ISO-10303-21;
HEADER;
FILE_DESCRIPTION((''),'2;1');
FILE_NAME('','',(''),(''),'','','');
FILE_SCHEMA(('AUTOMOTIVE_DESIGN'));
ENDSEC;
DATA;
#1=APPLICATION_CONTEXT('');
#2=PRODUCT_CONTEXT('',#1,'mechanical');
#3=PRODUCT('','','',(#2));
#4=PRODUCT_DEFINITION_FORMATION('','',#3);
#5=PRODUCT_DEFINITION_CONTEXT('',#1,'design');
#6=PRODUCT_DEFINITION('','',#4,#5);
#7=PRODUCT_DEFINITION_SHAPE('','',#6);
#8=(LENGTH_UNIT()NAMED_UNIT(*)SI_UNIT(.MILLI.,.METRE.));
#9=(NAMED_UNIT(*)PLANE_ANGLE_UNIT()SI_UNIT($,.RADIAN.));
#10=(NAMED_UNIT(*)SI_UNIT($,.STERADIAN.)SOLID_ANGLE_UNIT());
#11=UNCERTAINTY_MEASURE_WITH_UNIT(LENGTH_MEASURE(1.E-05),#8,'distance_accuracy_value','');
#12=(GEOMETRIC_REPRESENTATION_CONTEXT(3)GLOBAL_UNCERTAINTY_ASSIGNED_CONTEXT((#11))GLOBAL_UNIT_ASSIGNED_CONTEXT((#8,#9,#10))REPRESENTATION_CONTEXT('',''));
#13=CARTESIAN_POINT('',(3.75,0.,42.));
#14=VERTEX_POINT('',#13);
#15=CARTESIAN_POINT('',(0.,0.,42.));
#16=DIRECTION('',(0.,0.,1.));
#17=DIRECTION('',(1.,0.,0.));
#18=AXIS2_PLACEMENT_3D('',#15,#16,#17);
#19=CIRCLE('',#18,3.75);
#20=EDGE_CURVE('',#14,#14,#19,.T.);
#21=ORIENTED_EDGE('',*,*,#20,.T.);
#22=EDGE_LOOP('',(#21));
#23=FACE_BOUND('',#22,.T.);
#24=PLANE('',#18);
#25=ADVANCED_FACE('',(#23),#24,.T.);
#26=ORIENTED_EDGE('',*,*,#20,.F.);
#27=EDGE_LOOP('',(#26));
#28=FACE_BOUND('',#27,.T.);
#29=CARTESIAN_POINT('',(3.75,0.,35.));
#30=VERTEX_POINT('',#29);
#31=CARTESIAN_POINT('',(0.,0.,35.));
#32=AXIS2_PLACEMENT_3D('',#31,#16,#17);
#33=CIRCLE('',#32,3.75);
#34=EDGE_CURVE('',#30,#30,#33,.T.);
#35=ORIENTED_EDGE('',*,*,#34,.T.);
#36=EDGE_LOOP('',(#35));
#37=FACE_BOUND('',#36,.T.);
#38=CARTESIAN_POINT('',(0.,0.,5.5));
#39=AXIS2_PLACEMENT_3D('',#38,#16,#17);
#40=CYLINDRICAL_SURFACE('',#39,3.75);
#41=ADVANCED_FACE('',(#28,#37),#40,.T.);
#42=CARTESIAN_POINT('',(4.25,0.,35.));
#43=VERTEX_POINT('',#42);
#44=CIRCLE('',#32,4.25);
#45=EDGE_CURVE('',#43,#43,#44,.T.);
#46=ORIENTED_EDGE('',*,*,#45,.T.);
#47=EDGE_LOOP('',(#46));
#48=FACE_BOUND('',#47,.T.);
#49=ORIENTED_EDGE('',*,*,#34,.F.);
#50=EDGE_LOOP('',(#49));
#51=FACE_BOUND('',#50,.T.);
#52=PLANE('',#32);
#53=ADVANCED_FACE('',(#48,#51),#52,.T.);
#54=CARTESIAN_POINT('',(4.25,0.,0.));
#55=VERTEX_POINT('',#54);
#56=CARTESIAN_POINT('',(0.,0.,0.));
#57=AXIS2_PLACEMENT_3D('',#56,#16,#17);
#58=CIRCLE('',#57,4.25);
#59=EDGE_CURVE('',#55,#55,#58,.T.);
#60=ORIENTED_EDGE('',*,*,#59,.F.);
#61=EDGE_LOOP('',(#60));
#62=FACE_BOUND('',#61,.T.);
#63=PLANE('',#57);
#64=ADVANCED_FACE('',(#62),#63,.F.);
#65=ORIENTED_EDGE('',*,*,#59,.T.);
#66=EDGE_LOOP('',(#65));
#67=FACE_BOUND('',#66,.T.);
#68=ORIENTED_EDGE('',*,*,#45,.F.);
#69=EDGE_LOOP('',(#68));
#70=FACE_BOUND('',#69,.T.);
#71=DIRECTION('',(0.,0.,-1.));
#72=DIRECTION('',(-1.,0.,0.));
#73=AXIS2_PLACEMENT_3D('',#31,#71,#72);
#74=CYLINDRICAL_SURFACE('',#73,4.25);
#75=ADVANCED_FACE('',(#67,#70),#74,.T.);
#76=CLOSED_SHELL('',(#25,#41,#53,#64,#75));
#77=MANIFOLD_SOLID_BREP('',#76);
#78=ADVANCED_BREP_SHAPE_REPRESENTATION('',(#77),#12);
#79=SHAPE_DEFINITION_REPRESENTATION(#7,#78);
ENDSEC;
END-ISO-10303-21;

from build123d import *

# Parameters (mm, degrees)
SKETCH2_R                = 4.25
BOSS_EXTRUDE1_DEPTH      = 35
BOSS_EXTRUDE2_DEPTH      = 7
BOSS_EXTRUDE2_DEPTH_BACK = 29.5
SKETCH3_R                = 3.75


with BuildPart() as part:
    # Sketch2 → Boss-Extrude1 (new body)
    with BuildSketch(Plane.XY):
        Circle(SKETCH2_R)
    extrude(amount=BOSS_EXTRUDE1_DEPTH)

    # Sketch3 → Boss-Extrude2 (add, two sides: drawn at the far end of the back side and taken through both)
    with BuildSketch(Plane.XY.offset(35).offset(-BOSS_EXTRUDE2_DEPTH_BACK)):
        Circle(SKETCH3_R)
    extrude(amount=BOSS_EXTRUDE2_DEPTH + BOSS_EXTRUDE2_DEPTH_BACK)


solid = part.part
